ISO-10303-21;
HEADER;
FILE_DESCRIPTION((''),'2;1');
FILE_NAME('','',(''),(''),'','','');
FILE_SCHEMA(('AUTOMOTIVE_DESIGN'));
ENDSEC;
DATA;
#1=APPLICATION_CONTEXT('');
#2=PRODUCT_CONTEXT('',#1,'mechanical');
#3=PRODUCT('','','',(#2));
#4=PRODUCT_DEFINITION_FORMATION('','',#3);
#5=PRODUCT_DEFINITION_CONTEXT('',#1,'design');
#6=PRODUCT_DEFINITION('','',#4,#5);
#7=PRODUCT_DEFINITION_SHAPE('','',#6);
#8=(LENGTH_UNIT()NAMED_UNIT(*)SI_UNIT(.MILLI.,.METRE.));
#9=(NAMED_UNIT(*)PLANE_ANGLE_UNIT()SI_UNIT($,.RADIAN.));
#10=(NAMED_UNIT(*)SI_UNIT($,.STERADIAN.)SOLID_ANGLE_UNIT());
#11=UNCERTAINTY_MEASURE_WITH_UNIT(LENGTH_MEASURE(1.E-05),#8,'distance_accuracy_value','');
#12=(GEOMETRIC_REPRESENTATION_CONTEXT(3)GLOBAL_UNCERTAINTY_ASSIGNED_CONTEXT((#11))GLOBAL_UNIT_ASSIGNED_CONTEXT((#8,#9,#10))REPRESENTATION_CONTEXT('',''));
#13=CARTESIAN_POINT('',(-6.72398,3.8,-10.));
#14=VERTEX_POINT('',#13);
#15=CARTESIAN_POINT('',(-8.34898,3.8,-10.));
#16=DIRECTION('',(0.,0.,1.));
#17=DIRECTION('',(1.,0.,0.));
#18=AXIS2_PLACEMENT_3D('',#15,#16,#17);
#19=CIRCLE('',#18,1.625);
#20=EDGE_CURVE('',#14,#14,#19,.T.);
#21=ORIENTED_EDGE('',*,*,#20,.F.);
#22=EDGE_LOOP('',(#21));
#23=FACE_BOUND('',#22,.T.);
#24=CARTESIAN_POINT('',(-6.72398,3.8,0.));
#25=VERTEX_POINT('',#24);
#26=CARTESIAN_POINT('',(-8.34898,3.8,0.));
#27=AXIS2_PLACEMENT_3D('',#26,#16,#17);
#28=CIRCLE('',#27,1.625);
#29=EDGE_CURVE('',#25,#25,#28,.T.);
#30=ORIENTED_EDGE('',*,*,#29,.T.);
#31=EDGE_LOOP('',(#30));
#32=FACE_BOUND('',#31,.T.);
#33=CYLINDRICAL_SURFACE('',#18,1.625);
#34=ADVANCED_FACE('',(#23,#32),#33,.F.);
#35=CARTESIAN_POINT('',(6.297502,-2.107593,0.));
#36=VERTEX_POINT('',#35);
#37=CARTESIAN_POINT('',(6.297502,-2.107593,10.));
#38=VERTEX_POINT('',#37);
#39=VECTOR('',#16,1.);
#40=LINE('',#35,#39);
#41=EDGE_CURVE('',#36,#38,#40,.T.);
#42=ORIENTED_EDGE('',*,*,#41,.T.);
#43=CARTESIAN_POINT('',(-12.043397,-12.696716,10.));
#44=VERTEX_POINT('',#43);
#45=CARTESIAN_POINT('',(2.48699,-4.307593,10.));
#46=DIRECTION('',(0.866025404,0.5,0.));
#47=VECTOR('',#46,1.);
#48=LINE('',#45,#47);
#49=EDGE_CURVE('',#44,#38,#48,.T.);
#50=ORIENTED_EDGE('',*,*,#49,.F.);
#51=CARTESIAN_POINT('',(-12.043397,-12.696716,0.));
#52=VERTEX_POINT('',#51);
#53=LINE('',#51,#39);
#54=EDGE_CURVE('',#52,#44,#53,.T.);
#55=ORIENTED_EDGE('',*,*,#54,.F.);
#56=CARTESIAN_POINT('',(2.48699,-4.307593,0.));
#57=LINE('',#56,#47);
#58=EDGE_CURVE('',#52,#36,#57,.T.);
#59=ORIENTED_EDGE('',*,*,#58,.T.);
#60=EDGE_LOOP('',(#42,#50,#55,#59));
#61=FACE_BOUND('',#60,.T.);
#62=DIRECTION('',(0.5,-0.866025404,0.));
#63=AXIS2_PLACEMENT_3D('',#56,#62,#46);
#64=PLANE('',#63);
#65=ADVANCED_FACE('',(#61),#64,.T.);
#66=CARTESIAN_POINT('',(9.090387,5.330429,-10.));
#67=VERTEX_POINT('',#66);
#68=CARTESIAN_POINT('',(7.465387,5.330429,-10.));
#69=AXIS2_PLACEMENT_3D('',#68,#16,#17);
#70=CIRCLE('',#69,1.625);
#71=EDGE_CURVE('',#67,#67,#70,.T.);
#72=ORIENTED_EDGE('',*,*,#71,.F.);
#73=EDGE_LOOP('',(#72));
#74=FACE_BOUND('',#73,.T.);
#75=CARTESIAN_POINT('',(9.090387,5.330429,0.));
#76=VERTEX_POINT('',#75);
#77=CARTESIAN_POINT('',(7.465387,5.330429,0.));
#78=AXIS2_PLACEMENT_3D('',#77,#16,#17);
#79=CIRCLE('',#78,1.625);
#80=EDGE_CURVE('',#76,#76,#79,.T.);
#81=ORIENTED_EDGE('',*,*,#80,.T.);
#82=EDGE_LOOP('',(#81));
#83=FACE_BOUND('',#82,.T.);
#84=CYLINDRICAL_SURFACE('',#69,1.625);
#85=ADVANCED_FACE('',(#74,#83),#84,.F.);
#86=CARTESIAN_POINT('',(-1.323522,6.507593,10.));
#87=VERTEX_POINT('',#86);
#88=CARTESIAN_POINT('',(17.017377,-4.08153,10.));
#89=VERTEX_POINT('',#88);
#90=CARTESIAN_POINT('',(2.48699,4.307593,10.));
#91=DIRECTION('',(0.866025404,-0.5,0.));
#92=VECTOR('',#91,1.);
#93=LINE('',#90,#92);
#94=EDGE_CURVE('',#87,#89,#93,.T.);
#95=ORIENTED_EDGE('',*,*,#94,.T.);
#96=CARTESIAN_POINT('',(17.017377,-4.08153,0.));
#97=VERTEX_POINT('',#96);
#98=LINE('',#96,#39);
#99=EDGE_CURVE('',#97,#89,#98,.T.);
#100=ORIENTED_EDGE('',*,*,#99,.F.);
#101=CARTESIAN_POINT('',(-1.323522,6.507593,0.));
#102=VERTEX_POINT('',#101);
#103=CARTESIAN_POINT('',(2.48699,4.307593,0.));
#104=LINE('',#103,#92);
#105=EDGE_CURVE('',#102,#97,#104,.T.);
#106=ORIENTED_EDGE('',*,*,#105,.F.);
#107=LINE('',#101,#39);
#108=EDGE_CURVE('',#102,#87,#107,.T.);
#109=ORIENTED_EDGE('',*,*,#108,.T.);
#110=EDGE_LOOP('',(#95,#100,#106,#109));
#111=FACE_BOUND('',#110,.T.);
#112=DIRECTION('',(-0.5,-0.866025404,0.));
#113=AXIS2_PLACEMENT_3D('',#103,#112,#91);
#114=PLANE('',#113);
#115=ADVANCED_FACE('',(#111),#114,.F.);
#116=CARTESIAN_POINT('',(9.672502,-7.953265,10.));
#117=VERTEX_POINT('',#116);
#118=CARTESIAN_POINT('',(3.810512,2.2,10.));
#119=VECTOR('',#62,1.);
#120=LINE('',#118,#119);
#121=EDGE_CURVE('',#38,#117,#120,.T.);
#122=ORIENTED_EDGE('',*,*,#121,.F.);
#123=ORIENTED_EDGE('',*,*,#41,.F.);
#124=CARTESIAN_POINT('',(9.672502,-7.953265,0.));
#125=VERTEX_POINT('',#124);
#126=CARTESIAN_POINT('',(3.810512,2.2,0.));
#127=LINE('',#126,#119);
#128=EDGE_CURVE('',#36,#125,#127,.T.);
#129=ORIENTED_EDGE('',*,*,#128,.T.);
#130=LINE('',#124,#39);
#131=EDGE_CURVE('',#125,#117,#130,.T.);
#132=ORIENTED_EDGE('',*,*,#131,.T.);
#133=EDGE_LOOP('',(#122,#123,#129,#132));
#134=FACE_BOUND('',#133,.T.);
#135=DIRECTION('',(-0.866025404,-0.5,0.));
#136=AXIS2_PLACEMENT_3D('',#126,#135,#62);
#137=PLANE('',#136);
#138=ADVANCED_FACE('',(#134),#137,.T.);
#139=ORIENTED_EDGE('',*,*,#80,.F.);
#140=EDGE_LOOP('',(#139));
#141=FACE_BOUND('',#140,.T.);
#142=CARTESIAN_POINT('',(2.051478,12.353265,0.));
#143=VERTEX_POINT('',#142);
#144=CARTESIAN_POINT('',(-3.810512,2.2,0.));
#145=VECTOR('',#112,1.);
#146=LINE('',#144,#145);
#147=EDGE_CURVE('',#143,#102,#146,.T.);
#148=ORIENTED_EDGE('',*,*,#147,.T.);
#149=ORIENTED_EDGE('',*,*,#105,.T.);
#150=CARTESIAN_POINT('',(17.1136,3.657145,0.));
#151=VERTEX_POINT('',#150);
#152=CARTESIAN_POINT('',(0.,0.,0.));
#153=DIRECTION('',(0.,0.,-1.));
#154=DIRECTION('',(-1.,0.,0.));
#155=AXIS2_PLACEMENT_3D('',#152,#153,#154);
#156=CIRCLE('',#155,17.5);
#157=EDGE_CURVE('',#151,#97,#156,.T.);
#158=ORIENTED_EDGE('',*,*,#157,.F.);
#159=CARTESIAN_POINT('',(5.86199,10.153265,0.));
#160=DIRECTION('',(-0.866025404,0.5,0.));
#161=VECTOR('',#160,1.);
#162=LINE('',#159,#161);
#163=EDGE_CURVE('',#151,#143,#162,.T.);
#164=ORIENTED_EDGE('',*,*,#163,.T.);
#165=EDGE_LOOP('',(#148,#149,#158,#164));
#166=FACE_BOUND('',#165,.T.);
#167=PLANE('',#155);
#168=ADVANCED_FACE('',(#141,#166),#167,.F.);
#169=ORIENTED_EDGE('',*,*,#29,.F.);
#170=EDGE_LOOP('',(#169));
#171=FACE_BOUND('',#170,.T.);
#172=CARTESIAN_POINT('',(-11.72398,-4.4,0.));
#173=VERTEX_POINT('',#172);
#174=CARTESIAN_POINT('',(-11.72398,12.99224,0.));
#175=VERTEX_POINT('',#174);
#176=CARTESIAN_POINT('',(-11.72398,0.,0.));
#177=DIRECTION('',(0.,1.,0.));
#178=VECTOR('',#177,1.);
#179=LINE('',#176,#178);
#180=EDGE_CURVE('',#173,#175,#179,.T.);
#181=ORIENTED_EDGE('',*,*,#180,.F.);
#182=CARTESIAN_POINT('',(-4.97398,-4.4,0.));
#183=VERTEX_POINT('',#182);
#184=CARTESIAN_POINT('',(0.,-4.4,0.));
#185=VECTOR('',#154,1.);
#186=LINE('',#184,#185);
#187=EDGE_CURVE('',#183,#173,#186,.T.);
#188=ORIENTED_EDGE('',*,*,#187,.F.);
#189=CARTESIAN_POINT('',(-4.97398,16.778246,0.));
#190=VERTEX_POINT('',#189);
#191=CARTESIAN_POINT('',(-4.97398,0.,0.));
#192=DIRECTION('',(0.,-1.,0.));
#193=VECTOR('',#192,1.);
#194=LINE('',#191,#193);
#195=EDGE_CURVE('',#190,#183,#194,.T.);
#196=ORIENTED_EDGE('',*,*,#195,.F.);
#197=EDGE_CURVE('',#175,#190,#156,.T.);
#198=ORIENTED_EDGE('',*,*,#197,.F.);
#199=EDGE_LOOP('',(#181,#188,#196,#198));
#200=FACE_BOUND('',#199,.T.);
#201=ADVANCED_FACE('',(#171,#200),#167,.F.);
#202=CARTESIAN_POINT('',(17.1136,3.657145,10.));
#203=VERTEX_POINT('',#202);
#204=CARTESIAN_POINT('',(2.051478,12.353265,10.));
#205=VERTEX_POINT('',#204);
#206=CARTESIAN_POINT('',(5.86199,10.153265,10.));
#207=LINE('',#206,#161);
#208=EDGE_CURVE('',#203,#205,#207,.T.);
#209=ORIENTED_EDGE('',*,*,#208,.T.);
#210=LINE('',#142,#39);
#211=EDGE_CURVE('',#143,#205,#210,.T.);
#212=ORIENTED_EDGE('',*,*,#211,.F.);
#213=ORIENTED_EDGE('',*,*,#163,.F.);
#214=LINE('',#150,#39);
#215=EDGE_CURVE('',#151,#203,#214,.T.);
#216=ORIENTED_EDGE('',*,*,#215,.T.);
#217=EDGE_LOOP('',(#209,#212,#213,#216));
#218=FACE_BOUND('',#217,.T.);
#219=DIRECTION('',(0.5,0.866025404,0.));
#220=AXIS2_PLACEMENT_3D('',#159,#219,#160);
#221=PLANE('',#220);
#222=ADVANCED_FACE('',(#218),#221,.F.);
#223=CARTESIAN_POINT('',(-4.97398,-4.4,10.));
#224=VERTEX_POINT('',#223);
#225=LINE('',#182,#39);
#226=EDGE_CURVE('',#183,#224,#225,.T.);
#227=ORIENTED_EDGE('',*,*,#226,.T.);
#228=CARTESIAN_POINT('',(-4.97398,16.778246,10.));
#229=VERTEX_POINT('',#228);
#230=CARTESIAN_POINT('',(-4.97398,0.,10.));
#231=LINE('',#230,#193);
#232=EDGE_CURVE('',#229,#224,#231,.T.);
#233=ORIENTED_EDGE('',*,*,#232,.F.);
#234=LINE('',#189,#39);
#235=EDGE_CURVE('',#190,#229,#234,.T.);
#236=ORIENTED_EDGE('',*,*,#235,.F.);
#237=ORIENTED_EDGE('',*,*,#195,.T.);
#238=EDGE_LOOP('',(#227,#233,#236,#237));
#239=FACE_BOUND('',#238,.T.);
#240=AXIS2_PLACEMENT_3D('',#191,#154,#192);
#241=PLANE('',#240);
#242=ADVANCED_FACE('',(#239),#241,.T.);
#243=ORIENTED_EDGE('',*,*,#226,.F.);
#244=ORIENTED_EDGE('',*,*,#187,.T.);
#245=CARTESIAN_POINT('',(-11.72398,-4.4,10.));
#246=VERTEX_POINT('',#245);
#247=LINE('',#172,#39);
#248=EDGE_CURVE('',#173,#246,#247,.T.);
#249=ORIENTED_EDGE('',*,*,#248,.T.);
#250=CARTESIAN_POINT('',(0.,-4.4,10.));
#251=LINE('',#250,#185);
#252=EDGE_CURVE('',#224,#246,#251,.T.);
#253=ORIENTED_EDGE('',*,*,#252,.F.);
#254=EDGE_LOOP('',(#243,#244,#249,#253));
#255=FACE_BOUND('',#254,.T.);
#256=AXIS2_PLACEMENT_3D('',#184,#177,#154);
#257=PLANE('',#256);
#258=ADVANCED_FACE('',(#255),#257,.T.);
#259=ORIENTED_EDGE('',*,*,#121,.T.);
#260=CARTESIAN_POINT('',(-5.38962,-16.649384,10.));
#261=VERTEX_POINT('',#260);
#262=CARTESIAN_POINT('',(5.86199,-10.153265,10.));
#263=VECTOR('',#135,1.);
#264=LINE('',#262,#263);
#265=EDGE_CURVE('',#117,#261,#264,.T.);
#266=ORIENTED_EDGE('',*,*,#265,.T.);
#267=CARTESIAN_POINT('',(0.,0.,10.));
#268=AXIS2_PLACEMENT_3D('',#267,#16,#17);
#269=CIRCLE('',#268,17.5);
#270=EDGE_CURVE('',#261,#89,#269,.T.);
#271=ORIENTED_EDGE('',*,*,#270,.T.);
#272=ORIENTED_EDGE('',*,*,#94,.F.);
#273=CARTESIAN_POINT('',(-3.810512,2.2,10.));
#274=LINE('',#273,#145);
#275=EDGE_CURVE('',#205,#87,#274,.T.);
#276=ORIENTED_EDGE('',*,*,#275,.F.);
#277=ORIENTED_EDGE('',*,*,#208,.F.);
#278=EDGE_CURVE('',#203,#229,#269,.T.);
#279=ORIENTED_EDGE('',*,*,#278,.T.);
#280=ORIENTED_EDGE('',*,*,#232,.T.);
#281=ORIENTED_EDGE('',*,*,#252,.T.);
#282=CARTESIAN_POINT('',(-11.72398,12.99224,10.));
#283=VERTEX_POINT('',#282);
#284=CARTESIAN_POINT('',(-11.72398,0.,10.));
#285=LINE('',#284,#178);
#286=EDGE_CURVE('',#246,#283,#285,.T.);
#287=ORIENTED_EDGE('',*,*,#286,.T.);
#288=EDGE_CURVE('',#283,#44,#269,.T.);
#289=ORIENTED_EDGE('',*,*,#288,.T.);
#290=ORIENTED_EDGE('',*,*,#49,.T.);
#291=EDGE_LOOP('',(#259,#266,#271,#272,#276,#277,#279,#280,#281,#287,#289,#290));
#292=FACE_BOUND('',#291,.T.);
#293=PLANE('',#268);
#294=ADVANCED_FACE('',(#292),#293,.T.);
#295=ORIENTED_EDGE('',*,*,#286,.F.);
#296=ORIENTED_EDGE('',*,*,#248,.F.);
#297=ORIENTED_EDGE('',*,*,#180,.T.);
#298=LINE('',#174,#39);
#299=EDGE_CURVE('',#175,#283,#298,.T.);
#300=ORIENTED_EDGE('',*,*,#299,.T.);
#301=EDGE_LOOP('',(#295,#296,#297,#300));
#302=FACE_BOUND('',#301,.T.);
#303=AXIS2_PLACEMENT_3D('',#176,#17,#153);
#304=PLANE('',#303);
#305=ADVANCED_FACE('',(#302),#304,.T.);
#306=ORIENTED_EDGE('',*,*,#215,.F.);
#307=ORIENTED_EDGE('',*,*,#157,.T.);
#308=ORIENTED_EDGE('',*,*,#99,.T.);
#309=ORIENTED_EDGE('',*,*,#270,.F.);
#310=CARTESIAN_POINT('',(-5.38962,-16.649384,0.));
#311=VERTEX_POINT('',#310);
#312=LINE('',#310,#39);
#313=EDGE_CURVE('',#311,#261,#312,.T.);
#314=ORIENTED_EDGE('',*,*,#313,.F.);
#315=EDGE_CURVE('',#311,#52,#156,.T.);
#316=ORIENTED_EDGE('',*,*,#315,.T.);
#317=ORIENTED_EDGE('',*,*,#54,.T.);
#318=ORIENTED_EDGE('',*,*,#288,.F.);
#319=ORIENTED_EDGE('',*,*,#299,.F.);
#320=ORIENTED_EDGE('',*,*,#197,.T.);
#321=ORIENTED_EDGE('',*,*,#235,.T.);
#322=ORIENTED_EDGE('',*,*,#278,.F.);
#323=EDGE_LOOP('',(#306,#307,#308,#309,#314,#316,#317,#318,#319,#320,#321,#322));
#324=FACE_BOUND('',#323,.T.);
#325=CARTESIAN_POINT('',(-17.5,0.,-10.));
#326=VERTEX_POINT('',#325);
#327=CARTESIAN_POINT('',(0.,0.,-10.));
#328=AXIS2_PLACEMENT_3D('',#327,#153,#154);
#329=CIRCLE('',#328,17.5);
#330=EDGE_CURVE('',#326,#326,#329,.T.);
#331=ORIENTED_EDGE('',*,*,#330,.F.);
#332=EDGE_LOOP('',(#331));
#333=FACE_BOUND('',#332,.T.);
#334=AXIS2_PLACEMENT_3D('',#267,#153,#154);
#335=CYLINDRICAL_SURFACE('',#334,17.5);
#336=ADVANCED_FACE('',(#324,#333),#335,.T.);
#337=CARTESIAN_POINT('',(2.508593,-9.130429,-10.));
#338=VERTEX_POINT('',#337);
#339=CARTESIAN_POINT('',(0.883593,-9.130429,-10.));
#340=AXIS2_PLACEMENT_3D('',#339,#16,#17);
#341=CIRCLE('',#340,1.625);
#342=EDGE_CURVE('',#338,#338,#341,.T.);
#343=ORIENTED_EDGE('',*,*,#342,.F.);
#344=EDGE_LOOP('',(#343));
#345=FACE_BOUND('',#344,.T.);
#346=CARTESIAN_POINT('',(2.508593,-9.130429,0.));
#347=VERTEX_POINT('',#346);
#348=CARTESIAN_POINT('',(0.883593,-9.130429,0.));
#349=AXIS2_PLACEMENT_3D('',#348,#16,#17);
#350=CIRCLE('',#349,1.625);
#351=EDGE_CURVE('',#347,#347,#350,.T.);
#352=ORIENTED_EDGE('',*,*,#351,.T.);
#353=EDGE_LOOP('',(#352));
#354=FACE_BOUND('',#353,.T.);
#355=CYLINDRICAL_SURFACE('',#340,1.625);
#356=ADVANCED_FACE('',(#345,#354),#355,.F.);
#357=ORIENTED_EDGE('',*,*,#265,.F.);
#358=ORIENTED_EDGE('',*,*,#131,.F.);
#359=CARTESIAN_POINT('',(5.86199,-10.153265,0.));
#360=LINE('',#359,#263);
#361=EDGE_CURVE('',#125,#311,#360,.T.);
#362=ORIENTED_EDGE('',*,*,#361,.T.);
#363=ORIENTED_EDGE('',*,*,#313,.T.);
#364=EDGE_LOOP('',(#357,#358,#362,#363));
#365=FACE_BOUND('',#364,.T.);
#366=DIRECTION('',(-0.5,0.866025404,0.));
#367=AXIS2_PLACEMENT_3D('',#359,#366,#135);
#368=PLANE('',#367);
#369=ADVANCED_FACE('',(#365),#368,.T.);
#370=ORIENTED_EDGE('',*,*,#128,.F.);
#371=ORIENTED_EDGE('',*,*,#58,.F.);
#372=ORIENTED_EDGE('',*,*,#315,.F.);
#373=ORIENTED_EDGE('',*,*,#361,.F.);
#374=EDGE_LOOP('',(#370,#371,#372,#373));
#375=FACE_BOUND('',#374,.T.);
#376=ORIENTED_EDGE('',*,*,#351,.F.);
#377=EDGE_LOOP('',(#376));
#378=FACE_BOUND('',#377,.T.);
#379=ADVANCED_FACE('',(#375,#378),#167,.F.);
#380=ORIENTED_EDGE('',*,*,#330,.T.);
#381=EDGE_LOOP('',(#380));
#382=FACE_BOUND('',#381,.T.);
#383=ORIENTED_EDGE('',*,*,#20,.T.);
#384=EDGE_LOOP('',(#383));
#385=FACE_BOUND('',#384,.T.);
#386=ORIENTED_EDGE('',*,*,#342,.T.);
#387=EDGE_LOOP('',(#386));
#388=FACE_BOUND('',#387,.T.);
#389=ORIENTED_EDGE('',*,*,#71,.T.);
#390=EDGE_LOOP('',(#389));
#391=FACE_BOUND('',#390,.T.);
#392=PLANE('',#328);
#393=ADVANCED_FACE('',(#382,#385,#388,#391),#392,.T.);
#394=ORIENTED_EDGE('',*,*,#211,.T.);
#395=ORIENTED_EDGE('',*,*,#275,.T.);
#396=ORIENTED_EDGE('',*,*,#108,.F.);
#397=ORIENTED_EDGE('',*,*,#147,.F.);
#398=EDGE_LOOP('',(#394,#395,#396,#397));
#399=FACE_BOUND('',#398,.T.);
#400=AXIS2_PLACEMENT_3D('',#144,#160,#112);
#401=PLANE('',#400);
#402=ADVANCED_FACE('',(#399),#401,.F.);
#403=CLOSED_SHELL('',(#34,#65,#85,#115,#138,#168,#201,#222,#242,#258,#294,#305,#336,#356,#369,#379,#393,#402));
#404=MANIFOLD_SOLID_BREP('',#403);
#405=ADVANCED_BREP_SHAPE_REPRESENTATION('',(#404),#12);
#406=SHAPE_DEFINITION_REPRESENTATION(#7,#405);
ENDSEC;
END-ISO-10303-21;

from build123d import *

# Parameters (mm, degrees)
SALIENTE_EXTRUIR1_DEPTH = 10
SALIENTE_EXTRUIR2_START = 10
CROQUIS3_R              = 17.5
SALIENTE_EXTRUIR2_DEPTH = 10
CROQUIS1_3_R            = 1.625
CORTAR_EXTRUIR4_DEPTH   = 10
SALIENTE_EXTRUIR3_START = -10
SALIENTE_EXTRUIR3_DEPTH = 10


with BuildPart() as part:
    # Croquis1 → Saliente-Extruir1 (new body)
    with BuildSketch(Plane.XY):
        with BuildLine():
            Line((6.407309398, -1.697785417), (10.082309398, -8.063072135))
            Line((10.082309398, -8.063072135), (-4.999614275, -16.770624827))
            ThreePointArc((-4.999614275, -16.770624827), (8.602870321, -15.239442977), (16.941884153, -4.384354154))
            Line((16.941884153, -4.384354154), (-1.733329398, 6.397785417))
            Line((-1.733329398, 6.397785417), (1.941670602, 12.763072135))
            Line((1.941670602, 12.763072135), (17.023594275, 4.055519442))
            ThreePointArc((17.023594275, 4.055519442), (8.896309597, 15.070025732), (-4.67398, 16.864279141))
            Line((-4.67398, 16.864279141), (-4.67398, -4.7))
            Line((-4.67398, -4.7), (-12.02398, -4.7))
            Line((-12.02398, -4.7), (-12.02398, 12.715105385))
            ThreePointArc((-12.02398, 12.715105385), (-17.499179918, 0.169417245), (-12.267904153, -12.479924987))
            Line((-12.267904153, -12.479924987), (6.407309398, -1.697785417))
        make_face()
    extrude(amount=SALIENTE_EXTRUIR1_DEPTH)

    # Croquis3 → Saliente-Extruir2 (add)
    with BuildSketch(Plane(origin=(0, 0, 0), x_dir=(-1, 0, 0), z_dir=(0, 0, -1)).offset(SALIENTE_EXTRUIR2_START)):
        Circle(CROQUIS3_R)
    extrude(amount=-SALIENTE_EXTRUIR2_DEPTH)

    # Croquis1<3> → Cortar-Extruir4 (cut)
    with BuildSketch(Plane.XY):
        with Locations((-8.34898, 3.8)):
            Circle(CROQUIS1_3_R)
        with Locations((7.465386534, 5.330428776)):
            Circle(CROQUIS1_3_R)
        with Locations((0.883593466, -9.130428776)):
            Circle(CROQUIS1_3_R)
    extrude(amount=-CORTAR_EXTRUIR4_DEPTH, mode=Mode.SUBTRACT)

    # Croquis4 → Saliente-Extruir3 (add)
    with BuildSketch(Plane.XY.offset(10).offset(SALIENTE_EXTRUIR3_START)):
        with BuildLine():
            ThreePointArc((-4.67398, 16.864279141), (-4.824171793, 16.821931117), (-4.97398, 16.778245527))
            Line((-4.97398, 16.778245527), (-4.97398, -4.4))
            Line((-4.97398, -4.4), (-11.72398, -4.4))
            Line((-11.72398, -4.4), (-11.72398, 12.992239721))
            ThreePointArc((-11.72398, 12.992239721), (-11.874788499, 12.854547759), (-12.02398, 12.715105385))
            Line((-12.02398, 12.715105385), (-12.02398, -4.7))
            Line((-12.02398, -4.7), (-4.67398, -4.7))
            Line((-4.67398, -4.7), (-4.67398, 16.864279141))
        make_face()
        with BuildLine():
            ThreePointArc((17.11359965, 3.657144653), (17.069759163, 3.856594625), (17.023594275, 4.055519442))
            Line((17.023594275, 4.055519442), (1.941670602, 12.763072135))
            Line((1.941670602, 12.763072135), (-1.733329398, 6.397785417))
            Line((-1.733329398, 6.397785417), (16.941884153, -4.384354154))
            ThreePointArc((16.941884153, -4.384354154), (16.980305585, -4.233110234), (17.017376857, -4.081529726))
            Line((17.017376857, -4.081529726), (-1.323521777, 6.507593038))
            Line((-1.323521777, 6.507593038), (2.051478223, 12.353264513))
            Line((2.051478223, 12.353264513), (17.11359965, 3.657144653))
        make_face()
        with BuildLine():
            Line((6.407309398, -1.697785417), (-12.267904153, -12.479924987))
            ThreePointArc((-12.267904153, -12.479924987), (-12.156133792, -12.588820883), (-12.043396857, -12.696715801))
            Line((-12.043396857, -12.696715801), (6.297501777, -2.107593038))
            Line((6.297501777, -2.107593038), (9.672501777, -7.953264513))
            Line((9.672501777, -7.953264513), (-5.38961965, -16.649384374))
            ThreePointArc((-5.38961965, -16.649384374), (-5.194970664, -16.711142385), (-4.999614275, -16.770624827))
            Line((-4.999614275, -16.770624827), (10.082309398, -8.063072135))
            Line((10.082309398, -8.063072135), (6.407309398, -1.697785417))
        make_face()
    extrude(amount=SALIENTE_EXTRUIR3_DEPTH)


solid = part.part
